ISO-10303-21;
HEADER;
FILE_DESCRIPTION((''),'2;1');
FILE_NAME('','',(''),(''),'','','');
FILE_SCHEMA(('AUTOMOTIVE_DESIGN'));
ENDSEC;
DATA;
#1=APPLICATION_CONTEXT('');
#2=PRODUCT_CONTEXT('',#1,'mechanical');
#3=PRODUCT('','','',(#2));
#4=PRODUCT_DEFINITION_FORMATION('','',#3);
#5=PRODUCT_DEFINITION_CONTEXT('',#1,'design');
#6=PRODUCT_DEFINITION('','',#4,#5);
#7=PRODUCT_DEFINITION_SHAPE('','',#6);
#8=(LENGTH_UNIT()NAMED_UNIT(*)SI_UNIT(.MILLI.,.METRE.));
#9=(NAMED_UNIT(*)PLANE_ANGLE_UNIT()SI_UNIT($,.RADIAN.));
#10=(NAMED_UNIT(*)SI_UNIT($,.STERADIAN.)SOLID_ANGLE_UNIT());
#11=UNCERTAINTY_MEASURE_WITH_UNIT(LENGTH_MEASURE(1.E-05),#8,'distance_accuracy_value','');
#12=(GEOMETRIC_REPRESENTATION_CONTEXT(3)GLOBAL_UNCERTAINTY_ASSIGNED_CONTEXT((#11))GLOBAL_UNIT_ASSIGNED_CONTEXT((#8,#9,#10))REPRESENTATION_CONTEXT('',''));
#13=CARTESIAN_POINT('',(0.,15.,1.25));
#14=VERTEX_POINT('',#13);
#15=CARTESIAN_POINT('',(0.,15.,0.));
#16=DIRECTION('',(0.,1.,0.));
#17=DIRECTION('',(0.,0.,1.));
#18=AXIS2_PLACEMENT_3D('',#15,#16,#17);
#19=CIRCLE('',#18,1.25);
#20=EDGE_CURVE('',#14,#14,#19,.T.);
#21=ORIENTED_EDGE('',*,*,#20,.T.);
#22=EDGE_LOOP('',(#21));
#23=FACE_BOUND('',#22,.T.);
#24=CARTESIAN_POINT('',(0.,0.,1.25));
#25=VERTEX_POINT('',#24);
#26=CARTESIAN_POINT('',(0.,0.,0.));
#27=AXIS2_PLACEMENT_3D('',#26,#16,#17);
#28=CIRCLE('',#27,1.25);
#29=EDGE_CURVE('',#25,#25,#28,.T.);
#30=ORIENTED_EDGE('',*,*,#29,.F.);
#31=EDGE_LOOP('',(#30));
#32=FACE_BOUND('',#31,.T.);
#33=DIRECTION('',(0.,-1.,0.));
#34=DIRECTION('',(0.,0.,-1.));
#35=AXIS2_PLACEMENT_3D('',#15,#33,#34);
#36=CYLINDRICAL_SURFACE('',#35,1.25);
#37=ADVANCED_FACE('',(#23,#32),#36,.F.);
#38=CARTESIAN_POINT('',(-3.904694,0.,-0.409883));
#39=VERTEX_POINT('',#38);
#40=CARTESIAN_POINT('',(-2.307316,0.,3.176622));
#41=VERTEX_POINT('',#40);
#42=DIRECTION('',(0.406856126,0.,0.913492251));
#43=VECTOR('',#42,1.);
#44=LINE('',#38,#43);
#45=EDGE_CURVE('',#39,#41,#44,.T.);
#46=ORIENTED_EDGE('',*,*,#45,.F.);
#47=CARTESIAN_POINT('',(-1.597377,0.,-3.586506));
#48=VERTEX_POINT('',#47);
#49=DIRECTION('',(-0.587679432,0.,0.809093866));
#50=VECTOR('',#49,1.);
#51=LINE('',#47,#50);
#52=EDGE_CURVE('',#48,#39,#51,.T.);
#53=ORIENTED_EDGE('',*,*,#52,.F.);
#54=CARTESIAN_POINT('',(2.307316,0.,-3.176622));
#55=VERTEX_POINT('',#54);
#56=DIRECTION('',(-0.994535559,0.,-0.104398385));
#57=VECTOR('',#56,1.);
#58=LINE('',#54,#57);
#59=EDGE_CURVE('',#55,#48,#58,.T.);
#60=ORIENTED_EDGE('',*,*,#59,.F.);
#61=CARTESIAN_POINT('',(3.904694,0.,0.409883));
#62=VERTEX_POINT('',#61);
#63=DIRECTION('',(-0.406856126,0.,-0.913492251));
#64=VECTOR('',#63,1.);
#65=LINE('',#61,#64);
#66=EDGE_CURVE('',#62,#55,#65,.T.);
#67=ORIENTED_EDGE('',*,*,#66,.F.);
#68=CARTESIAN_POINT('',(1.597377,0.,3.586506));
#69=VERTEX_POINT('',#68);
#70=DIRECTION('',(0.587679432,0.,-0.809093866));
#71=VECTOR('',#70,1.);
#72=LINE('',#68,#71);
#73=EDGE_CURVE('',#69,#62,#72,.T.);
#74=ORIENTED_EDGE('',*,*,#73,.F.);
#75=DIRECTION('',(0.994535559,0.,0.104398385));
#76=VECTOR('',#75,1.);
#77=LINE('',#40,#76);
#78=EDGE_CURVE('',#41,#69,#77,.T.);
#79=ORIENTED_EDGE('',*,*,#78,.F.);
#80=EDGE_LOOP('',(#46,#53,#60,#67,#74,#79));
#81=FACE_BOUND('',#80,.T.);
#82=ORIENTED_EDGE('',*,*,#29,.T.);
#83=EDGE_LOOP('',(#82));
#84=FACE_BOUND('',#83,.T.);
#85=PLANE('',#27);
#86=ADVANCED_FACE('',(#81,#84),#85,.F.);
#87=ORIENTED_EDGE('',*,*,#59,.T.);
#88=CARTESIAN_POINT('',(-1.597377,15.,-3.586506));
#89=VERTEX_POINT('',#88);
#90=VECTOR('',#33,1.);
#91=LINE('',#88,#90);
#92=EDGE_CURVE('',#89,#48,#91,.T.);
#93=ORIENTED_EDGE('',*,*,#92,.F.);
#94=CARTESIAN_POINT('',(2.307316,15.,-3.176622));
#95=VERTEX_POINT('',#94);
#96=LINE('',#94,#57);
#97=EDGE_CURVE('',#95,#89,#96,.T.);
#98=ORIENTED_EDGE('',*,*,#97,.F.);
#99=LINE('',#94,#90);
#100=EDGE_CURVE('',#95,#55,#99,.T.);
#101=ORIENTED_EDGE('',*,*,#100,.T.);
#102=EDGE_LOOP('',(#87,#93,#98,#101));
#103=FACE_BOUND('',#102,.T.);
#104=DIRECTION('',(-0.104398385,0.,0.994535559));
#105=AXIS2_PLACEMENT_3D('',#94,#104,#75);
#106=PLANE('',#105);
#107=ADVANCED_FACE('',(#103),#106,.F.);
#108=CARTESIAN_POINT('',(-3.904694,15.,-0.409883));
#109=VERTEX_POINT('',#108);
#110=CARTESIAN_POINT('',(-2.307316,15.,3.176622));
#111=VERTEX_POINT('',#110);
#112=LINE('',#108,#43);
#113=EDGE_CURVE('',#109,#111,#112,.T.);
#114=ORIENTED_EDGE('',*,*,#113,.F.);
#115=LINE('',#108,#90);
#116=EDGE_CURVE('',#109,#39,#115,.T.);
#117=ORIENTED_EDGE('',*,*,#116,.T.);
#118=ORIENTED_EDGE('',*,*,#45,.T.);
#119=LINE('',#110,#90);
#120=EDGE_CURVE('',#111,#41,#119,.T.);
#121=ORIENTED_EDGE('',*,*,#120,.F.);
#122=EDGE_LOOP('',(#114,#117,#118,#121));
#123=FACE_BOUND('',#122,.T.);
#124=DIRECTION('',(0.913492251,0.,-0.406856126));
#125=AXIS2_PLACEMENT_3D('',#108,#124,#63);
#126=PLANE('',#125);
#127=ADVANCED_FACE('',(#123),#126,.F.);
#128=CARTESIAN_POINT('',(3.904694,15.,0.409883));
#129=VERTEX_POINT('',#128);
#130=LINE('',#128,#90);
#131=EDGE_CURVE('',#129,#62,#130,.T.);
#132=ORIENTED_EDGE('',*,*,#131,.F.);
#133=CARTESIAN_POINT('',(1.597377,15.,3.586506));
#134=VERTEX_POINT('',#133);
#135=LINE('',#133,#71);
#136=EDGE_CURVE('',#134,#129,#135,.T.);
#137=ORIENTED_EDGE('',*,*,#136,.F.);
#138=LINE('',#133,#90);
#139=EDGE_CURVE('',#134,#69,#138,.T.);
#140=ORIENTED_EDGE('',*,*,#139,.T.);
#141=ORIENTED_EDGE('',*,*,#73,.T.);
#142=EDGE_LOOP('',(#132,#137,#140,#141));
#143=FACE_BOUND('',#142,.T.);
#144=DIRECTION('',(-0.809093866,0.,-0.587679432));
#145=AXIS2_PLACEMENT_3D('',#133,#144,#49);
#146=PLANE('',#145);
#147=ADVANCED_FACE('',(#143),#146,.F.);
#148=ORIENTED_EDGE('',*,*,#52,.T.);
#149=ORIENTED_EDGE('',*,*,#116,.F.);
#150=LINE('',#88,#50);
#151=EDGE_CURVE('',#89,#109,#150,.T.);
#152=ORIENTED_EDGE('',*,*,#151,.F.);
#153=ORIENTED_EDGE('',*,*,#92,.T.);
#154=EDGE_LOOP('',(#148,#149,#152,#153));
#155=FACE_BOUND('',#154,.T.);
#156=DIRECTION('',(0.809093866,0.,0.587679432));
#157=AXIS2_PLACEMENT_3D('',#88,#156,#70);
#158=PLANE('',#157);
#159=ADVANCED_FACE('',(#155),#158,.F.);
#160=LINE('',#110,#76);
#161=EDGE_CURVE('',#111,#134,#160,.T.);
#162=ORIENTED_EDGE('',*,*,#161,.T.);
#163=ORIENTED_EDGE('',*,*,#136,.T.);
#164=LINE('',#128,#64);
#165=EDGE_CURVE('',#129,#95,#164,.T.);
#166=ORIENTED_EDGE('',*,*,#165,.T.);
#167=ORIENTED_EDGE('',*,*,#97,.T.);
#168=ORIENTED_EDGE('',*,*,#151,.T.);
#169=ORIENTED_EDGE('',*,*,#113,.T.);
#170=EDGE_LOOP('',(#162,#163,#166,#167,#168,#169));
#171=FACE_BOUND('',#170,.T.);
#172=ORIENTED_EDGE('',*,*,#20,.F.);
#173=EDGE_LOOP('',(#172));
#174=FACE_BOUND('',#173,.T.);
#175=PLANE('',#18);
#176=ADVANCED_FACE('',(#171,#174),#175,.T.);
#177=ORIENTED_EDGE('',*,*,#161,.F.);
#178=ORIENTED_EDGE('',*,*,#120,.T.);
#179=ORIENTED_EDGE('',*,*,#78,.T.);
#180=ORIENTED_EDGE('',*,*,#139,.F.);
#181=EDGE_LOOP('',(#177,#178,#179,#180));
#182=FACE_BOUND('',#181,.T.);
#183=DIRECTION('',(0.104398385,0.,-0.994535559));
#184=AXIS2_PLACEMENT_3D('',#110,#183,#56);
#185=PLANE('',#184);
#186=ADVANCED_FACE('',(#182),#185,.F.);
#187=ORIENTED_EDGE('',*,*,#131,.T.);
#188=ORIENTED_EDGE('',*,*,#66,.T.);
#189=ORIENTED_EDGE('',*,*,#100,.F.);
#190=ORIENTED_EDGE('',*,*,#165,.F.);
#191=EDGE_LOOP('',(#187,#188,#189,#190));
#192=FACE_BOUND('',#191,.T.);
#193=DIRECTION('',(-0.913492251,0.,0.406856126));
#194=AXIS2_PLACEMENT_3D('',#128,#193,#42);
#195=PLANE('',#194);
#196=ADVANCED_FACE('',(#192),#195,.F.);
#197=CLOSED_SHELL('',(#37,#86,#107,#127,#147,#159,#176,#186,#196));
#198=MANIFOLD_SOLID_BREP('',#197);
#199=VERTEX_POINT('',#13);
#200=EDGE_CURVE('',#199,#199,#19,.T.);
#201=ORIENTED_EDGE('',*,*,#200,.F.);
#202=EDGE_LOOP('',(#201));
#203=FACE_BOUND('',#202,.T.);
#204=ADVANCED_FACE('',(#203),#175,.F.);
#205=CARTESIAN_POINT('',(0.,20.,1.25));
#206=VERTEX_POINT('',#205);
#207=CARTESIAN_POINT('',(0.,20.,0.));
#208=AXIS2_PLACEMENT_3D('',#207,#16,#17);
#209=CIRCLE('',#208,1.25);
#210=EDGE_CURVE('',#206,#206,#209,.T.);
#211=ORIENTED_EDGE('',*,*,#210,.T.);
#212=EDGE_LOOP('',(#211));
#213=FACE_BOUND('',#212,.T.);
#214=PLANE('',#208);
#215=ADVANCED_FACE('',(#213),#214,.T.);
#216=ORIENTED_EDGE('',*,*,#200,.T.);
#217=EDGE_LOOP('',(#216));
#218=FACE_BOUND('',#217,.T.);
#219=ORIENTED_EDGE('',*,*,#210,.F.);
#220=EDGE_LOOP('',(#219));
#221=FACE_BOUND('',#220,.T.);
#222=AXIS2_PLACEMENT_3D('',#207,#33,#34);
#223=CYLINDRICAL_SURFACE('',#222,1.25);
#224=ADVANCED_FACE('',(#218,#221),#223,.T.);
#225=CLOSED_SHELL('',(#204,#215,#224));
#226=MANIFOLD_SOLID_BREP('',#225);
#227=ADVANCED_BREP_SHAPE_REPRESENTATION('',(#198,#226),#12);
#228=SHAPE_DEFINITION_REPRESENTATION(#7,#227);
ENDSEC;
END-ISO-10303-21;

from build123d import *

# Parameters (mm, degrees)
SKETCH1_R           = 1.25
BOSS_EXTRUDE1_DEPTH = 15
SKETCH2_R           = 1.25
BOSS_EXTRUDE2_DEPTH = 5


with BuildPart() as part:
    # Sketch1 → Boss-Extrude1 (new body)
    with BuildSketch(Plane(origin=(0, 0, 0), x_dir=(1, 0, 0), z_dir=(0, 1, 0))):
        Polygon((2.307316277, 3.176622058), (-1.597377262, 3.586505539), (-3.904693539, 0.409883482), (-2.307316277, -3.176622058), (1.597377262, -3.586505539), (3.904693539, -0.409883482), align=None)
        Circle(SKETCH1_R, mode=Mode.SUBTRACT)
    extrude(amount=BOSS_EXTRUDE1_DEPTH)


with BuildPart() as body_2:
    # Sketch2 → Boss-Extrude2 (new body)
    with BuildSketch(Plane(origin=(0, 15, 0), x_dir=(1, 0, 0), z_dir=(0, 1, 0))):
        Circle(SKETCH2_R)
    extrude(amount=BOSS_EXTRUDE2_DEPTH)


solid = Compound([part.part, body_2.part])
